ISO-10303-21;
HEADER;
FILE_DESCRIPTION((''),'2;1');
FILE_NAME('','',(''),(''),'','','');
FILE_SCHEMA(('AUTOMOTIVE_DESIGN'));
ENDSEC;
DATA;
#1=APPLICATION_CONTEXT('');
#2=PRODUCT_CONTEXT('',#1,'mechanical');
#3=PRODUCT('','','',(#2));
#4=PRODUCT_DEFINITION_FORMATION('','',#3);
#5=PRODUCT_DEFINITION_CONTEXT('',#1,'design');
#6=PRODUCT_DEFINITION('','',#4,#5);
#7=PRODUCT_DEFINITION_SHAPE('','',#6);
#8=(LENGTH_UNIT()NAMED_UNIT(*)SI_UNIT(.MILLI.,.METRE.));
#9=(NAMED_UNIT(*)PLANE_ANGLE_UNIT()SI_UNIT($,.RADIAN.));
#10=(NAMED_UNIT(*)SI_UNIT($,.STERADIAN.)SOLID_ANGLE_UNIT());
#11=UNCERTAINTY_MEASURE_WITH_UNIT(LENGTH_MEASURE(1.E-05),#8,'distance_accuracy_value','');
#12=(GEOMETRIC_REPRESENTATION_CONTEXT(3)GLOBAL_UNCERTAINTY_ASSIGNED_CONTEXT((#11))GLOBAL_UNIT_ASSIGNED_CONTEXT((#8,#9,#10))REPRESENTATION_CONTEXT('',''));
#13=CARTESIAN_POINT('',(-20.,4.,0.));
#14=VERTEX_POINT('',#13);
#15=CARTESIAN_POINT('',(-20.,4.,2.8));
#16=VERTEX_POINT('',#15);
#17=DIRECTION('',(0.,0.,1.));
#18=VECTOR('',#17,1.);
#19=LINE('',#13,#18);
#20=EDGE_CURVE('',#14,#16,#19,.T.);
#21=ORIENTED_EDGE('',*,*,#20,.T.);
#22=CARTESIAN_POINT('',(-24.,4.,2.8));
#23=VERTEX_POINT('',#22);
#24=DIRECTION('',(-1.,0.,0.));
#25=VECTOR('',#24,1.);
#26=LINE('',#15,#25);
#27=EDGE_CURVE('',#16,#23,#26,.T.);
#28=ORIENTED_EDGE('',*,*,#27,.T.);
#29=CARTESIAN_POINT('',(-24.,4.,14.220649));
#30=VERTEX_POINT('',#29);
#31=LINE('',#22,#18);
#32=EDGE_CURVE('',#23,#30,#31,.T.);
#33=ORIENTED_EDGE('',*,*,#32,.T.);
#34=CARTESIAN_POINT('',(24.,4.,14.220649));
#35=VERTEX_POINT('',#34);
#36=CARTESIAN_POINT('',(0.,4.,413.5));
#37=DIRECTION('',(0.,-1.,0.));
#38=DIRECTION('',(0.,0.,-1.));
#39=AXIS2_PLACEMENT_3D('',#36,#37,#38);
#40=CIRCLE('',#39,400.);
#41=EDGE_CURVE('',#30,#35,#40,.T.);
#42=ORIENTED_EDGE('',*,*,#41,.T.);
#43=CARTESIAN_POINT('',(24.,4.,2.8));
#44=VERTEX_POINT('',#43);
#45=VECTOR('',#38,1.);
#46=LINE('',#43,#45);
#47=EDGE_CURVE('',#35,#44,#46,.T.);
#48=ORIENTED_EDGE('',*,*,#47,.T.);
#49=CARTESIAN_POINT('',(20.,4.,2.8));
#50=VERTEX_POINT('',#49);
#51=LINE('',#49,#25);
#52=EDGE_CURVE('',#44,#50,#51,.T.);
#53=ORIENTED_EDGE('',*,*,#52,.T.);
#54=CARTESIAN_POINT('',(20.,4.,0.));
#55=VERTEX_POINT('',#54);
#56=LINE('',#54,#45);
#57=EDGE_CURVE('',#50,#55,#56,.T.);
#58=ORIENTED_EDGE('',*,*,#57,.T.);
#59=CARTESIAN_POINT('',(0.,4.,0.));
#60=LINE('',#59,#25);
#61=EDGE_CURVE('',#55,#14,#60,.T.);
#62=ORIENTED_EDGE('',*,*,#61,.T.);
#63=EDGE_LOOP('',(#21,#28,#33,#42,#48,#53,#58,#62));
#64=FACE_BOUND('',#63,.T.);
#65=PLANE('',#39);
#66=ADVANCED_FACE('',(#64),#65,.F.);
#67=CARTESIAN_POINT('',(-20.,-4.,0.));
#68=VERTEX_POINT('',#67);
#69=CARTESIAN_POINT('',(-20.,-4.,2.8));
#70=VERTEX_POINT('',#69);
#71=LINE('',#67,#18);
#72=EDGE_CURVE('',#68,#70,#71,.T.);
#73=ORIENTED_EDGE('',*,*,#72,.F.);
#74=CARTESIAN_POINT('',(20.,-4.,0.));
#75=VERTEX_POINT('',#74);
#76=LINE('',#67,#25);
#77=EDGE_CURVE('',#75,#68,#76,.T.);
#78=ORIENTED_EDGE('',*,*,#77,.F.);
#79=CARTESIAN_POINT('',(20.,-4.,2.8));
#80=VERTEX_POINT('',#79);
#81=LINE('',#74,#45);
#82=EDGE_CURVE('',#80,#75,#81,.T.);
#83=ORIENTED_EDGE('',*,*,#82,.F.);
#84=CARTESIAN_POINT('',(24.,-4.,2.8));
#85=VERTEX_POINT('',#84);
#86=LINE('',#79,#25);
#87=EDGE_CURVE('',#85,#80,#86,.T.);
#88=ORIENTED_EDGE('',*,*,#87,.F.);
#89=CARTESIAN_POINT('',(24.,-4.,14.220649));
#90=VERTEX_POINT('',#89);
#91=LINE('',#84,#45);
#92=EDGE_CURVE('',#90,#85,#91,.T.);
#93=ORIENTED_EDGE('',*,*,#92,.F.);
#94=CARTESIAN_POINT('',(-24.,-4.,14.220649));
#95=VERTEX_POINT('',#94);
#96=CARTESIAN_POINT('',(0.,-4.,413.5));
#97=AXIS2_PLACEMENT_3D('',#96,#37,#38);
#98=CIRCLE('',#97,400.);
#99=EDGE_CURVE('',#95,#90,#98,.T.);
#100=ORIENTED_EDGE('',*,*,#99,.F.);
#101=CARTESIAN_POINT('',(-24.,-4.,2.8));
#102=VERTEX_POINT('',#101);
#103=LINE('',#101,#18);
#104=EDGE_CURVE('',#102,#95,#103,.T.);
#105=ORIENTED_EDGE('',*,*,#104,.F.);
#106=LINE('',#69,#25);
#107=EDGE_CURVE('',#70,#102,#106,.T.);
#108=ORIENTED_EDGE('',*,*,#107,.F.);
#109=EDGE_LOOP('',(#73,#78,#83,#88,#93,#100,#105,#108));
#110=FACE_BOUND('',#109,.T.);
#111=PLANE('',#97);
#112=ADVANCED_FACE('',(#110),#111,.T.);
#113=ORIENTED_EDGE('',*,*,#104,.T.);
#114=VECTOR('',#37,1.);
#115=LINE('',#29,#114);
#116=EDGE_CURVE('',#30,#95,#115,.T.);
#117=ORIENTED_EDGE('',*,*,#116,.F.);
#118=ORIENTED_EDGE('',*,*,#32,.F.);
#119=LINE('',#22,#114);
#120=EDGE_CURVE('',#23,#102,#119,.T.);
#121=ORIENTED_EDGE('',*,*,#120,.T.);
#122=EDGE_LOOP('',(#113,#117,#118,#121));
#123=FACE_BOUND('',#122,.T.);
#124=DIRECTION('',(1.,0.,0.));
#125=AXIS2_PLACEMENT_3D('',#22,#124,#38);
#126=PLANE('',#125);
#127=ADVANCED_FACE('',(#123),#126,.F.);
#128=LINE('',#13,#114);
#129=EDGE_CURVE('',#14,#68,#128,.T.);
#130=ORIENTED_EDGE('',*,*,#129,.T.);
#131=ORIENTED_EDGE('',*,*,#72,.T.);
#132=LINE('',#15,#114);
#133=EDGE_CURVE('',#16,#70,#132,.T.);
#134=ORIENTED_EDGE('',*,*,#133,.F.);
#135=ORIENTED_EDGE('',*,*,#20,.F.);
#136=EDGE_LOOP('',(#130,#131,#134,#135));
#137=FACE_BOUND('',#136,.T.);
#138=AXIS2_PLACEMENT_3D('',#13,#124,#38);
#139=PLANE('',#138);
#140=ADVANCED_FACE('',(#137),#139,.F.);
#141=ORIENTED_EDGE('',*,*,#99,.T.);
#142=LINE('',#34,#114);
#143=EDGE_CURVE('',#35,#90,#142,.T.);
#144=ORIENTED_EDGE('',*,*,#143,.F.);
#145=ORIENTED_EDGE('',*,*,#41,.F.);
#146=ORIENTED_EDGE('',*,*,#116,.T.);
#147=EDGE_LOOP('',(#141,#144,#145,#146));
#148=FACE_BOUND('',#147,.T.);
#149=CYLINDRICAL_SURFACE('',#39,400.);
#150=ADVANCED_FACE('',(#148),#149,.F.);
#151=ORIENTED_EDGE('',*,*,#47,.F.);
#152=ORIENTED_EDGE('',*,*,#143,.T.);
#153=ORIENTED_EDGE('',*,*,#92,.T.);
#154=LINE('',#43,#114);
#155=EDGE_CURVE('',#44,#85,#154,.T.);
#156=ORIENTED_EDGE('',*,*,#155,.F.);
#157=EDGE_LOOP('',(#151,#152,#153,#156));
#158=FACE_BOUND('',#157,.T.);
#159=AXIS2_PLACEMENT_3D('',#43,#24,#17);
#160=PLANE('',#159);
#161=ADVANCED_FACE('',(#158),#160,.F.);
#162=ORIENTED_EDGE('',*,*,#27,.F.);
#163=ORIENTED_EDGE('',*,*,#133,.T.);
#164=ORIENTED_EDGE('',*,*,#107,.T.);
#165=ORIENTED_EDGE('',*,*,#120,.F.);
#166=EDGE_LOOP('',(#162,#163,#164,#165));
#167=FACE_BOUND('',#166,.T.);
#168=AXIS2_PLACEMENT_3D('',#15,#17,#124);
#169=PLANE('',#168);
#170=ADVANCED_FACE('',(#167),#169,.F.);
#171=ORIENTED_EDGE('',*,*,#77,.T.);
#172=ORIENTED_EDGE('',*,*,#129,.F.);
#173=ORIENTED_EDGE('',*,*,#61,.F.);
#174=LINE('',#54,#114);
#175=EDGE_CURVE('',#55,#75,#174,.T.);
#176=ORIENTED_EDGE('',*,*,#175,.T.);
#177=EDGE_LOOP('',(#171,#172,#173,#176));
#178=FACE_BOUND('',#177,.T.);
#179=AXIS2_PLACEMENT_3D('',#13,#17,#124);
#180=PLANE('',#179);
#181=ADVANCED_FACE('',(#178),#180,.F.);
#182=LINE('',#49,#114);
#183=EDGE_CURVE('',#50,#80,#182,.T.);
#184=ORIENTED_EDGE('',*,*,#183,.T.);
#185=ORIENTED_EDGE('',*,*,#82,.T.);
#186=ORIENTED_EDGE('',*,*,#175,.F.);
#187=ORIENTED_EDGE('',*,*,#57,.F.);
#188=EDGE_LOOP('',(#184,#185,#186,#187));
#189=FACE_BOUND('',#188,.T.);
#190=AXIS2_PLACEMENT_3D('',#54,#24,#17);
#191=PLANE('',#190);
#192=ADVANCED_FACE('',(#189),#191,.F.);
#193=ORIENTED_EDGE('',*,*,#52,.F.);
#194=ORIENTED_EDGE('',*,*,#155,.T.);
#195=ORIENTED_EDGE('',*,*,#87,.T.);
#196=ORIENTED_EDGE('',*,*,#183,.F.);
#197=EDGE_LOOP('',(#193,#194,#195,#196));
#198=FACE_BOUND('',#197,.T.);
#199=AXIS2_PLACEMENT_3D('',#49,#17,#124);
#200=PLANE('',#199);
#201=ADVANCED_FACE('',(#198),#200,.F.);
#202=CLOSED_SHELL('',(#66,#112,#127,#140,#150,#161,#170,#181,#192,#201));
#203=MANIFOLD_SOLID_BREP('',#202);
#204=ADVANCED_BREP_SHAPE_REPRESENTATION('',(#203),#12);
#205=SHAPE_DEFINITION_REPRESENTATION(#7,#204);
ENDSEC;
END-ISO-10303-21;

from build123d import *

# Parameters (mm, degrees)
BOSS_EXTRUDE1_DEPTH = 4


with BuildPart() as part:
    # Sketch1 → Boss-Extrude1 (new, symmetric)
    with BuildSketch(Plane(origin=(0, 0, 0), x_dir=(1, 0, 0), z_dir=(0, 1, 0))):
        with BuildLine():
            Line((-20, 0), (0, 0))
            Line((0, 0), (20, 0))
            Line((20, 0), (20, -2.8))
            Line((20, -2.8), (24, -2.8))
            Line((24, -2.8), (24, -14.220649169))
            ThreePointArc((24, -14.220649169), (0, -13.5), (-24, -14.220649169))
            Line((-24, -14.220649169), (-24, -2.8))
            Line((-24, -2.8), (-20, -2.8))
            Line((-20, -2.8), (-20, 0))
        make_face()
    extrude(amount=BOSS_EXTRUDE1_DEPTH, both=True)


solid = part.part
